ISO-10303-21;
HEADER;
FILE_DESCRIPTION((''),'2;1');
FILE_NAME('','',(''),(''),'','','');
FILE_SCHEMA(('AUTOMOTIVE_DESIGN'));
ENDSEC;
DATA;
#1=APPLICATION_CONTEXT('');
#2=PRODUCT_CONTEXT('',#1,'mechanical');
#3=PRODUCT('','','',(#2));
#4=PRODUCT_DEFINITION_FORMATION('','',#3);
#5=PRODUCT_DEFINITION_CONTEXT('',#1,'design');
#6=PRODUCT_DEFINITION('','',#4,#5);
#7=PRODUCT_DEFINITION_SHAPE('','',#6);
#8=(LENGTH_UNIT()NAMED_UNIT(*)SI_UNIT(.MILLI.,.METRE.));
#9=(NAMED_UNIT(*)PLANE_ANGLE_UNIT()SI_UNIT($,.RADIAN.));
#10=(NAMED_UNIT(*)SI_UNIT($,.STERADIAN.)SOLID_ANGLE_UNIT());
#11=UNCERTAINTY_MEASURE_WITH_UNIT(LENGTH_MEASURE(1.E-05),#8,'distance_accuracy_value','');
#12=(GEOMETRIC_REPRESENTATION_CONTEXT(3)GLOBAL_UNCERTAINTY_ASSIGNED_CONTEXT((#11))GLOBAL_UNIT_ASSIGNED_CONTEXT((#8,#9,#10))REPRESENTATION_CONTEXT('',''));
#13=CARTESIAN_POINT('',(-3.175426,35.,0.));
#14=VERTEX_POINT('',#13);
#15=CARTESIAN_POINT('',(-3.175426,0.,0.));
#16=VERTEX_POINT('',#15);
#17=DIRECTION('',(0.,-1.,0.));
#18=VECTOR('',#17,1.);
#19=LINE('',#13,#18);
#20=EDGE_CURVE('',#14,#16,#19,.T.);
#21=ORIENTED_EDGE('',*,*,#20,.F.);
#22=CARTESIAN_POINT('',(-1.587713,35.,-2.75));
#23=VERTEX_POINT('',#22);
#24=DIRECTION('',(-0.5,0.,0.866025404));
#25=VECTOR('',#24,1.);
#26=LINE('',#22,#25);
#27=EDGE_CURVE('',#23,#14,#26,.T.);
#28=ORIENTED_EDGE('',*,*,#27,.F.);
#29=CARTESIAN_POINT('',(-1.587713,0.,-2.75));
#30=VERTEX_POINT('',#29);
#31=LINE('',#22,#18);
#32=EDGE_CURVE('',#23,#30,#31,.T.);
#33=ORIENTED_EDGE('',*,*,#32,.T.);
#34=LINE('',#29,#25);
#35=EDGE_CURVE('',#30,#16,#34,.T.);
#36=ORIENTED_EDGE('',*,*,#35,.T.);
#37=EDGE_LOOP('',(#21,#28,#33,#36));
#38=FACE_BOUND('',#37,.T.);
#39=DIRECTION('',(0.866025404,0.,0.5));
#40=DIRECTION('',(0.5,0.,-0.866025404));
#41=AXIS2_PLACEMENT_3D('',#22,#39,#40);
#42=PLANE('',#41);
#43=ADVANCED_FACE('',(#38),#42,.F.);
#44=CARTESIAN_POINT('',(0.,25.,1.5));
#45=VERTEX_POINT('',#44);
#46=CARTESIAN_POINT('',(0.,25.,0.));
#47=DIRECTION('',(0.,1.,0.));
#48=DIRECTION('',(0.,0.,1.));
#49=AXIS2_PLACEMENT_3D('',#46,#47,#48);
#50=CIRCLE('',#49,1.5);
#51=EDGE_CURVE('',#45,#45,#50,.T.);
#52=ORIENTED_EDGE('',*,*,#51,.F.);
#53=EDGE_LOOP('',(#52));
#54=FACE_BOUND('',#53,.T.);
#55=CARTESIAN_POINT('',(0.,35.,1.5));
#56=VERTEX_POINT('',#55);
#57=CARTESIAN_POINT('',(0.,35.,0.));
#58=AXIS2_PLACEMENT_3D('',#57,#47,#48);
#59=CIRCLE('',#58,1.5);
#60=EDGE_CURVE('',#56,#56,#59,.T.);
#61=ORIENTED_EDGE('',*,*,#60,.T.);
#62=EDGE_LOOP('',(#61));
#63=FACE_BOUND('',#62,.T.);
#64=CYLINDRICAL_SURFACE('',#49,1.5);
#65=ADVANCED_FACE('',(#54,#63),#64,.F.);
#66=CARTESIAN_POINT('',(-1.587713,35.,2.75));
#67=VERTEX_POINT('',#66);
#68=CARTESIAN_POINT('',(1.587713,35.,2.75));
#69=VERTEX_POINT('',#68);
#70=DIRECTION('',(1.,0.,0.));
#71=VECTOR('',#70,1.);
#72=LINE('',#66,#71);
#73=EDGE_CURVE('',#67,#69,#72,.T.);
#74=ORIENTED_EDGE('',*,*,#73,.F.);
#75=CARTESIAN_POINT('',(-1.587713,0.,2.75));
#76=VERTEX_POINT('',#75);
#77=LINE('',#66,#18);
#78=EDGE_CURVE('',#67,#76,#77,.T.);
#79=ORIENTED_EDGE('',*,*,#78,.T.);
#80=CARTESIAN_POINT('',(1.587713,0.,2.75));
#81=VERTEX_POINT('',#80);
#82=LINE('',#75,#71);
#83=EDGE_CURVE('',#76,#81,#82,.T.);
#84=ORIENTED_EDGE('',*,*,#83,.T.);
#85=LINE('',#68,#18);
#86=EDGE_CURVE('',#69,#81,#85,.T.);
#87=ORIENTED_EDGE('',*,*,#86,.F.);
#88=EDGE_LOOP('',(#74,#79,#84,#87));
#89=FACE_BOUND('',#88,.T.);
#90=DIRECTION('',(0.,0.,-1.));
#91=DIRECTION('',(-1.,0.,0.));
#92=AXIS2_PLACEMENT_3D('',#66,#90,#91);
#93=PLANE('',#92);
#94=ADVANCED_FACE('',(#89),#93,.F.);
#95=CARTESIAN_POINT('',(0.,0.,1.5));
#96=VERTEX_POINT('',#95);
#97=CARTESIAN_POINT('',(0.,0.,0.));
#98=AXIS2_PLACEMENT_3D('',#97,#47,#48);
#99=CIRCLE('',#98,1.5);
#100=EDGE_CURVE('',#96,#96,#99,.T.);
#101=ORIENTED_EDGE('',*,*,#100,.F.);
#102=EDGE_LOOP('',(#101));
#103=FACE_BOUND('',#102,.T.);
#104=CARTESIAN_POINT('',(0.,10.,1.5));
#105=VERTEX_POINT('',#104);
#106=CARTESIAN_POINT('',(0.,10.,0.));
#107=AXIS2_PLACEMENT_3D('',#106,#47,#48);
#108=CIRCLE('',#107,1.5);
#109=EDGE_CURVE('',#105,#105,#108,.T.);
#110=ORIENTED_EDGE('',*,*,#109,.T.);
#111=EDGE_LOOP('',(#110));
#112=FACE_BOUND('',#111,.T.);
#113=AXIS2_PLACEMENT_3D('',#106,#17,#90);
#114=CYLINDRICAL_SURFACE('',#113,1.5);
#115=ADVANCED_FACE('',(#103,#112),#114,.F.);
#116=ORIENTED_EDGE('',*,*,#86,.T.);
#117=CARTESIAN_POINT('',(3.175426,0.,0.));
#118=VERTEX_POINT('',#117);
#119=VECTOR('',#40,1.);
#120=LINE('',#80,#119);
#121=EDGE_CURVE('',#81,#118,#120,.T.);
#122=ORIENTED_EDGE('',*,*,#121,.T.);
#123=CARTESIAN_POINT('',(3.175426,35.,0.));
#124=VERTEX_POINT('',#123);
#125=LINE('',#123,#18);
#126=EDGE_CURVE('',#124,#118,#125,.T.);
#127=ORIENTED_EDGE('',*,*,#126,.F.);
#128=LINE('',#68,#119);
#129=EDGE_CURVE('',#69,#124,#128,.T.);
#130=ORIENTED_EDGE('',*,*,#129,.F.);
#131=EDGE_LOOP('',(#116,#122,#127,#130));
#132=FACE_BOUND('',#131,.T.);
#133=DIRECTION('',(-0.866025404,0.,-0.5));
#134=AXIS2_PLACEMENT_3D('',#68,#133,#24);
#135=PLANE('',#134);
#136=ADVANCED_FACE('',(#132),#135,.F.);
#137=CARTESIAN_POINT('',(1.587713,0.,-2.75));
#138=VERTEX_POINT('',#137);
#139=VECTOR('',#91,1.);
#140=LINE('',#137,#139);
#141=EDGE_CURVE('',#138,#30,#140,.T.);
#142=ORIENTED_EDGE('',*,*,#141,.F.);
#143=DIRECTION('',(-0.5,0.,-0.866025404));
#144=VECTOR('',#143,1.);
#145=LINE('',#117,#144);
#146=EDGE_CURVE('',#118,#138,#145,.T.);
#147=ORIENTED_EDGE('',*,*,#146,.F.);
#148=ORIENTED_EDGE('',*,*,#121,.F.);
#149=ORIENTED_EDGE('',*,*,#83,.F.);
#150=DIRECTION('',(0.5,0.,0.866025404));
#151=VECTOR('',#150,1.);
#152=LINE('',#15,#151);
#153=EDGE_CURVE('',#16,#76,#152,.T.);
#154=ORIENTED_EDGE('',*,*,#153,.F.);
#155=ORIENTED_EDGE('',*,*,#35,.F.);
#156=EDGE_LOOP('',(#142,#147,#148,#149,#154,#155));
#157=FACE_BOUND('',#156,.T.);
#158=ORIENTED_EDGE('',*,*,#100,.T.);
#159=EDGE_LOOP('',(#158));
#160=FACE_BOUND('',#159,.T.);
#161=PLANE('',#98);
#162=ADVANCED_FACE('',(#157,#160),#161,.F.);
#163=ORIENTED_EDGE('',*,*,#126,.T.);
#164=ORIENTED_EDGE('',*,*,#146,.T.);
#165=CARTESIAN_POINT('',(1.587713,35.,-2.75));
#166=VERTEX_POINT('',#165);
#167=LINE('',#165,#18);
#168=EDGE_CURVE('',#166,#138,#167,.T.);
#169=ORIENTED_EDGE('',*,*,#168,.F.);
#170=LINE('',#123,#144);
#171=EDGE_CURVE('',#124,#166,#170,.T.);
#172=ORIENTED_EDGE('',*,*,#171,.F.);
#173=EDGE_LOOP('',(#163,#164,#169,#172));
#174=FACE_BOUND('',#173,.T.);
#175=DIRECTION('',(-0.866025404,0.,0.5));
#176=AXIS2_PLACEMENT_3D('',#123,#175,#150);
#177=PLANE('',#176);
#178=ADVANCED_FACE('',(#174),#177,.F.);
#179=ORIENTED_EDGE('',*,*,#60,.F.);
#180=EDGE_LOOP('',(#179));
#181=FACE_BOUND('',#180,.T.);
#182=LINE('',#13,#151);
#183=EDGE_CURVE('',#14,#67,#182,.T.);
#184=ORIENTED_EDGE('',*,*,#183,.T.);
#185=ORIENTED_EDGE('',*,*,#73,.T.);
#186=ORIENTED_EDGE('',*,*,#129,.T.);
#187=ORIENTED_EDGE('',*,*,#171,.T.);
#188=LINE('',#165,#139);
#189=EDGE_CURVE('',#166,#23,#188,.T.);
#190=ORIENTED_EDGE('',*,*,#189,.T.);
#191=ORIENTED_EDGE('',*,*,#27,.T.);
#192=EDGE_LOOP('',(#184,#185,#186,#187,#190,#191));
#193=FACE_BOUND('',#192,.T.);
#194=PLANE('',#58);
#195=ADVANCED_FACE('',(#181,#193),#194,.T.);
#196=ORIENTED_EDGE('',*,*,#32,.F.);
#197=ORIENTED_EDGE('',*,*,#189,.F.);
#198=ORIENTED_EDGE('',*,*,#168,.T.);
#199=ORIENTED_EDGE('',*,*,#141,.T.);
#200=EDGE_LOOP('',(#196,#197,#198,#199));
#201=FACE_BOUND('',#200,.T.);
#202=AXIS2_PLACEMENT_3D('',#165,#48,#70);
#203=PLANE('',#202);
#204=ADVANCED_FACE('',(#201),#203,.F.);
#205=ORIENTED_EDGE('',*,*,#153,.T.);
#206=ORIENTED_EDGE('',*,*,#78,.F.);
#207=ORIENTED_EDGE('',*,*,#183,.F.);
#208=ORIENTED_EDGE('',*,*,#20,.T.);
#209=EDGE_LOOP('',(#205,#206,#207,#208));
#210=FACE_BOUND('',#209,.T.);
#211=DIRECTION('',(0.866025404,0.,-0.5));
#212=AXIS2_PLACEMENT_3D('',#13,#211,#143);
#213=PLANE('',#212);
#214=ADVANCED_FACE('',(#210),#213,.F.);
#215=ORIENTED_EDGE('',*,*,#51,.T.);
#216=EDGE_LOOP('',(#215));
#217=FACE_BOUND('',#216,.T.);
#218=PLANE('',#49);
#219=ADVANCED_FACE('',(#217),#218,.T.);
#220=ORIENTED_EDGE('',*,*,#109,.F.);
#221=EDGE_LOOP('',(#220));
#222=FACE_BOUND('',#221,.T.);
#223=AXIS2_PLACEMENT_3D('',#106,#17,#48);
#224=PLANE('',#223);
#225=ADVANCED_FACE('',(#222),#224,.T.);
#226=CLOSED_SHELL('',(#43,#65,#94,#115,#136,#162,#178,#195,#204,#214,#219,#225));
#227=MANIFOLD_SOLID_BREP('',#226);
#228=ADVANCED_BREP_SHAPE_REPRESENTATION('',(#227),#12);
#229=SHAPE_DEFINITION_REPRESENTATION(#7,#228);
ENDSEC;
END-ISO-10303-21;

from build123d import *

# Parameters (mm, degrees)
BOSS_EXTRUDE1_DEPTH = 35
SKETCH2_R           = 1.5
CUT_EXTRUDE1_DEPTH  = 10


with BuildPart() as part:
    # Sketch1 → Boss-Extrude1 (new body)
    with BuildSketch(Plane(origin=(0, 0, 0), x_dir=(1, 0, 0), z_dir=(0, 1, 0))):
        Polygon((3.175426481, 0), (1.58771324, 2.75), (-1.58771324, 2.75), (-3.175426481, 0), (-1.58771324, -2.75), (1.58771324, -2.75), align=None)
    extrude(amount=BOSS_EXTRUDE1_DEPTH)

    # Sketch2 → Cut-Extrude1 (cut)
    with BuildSketch(Plane(origin=(0, 35, 0), x_dir=(1, 0, 0), z_dir=(0, 1, 0))):
        with Locations(Location((0, 0, 0), (0, 0, 270))):
            Circle(SKETCH2_R)
    cut_extrude1 = extrude(amount=-CUT_EXTRUDE1_DEPTH, mode=Mode.SUBTRACT)

    # Mirror1: Cut-Extrude1 across plane
    add(cut_extrude1.mirror(Plane(origin=(0, 17.5, 0), x_dir=(0, 0, 1), z_dir=(0, -1, 0))), mode=Mode.SUBTRACT)


solid = part.part
